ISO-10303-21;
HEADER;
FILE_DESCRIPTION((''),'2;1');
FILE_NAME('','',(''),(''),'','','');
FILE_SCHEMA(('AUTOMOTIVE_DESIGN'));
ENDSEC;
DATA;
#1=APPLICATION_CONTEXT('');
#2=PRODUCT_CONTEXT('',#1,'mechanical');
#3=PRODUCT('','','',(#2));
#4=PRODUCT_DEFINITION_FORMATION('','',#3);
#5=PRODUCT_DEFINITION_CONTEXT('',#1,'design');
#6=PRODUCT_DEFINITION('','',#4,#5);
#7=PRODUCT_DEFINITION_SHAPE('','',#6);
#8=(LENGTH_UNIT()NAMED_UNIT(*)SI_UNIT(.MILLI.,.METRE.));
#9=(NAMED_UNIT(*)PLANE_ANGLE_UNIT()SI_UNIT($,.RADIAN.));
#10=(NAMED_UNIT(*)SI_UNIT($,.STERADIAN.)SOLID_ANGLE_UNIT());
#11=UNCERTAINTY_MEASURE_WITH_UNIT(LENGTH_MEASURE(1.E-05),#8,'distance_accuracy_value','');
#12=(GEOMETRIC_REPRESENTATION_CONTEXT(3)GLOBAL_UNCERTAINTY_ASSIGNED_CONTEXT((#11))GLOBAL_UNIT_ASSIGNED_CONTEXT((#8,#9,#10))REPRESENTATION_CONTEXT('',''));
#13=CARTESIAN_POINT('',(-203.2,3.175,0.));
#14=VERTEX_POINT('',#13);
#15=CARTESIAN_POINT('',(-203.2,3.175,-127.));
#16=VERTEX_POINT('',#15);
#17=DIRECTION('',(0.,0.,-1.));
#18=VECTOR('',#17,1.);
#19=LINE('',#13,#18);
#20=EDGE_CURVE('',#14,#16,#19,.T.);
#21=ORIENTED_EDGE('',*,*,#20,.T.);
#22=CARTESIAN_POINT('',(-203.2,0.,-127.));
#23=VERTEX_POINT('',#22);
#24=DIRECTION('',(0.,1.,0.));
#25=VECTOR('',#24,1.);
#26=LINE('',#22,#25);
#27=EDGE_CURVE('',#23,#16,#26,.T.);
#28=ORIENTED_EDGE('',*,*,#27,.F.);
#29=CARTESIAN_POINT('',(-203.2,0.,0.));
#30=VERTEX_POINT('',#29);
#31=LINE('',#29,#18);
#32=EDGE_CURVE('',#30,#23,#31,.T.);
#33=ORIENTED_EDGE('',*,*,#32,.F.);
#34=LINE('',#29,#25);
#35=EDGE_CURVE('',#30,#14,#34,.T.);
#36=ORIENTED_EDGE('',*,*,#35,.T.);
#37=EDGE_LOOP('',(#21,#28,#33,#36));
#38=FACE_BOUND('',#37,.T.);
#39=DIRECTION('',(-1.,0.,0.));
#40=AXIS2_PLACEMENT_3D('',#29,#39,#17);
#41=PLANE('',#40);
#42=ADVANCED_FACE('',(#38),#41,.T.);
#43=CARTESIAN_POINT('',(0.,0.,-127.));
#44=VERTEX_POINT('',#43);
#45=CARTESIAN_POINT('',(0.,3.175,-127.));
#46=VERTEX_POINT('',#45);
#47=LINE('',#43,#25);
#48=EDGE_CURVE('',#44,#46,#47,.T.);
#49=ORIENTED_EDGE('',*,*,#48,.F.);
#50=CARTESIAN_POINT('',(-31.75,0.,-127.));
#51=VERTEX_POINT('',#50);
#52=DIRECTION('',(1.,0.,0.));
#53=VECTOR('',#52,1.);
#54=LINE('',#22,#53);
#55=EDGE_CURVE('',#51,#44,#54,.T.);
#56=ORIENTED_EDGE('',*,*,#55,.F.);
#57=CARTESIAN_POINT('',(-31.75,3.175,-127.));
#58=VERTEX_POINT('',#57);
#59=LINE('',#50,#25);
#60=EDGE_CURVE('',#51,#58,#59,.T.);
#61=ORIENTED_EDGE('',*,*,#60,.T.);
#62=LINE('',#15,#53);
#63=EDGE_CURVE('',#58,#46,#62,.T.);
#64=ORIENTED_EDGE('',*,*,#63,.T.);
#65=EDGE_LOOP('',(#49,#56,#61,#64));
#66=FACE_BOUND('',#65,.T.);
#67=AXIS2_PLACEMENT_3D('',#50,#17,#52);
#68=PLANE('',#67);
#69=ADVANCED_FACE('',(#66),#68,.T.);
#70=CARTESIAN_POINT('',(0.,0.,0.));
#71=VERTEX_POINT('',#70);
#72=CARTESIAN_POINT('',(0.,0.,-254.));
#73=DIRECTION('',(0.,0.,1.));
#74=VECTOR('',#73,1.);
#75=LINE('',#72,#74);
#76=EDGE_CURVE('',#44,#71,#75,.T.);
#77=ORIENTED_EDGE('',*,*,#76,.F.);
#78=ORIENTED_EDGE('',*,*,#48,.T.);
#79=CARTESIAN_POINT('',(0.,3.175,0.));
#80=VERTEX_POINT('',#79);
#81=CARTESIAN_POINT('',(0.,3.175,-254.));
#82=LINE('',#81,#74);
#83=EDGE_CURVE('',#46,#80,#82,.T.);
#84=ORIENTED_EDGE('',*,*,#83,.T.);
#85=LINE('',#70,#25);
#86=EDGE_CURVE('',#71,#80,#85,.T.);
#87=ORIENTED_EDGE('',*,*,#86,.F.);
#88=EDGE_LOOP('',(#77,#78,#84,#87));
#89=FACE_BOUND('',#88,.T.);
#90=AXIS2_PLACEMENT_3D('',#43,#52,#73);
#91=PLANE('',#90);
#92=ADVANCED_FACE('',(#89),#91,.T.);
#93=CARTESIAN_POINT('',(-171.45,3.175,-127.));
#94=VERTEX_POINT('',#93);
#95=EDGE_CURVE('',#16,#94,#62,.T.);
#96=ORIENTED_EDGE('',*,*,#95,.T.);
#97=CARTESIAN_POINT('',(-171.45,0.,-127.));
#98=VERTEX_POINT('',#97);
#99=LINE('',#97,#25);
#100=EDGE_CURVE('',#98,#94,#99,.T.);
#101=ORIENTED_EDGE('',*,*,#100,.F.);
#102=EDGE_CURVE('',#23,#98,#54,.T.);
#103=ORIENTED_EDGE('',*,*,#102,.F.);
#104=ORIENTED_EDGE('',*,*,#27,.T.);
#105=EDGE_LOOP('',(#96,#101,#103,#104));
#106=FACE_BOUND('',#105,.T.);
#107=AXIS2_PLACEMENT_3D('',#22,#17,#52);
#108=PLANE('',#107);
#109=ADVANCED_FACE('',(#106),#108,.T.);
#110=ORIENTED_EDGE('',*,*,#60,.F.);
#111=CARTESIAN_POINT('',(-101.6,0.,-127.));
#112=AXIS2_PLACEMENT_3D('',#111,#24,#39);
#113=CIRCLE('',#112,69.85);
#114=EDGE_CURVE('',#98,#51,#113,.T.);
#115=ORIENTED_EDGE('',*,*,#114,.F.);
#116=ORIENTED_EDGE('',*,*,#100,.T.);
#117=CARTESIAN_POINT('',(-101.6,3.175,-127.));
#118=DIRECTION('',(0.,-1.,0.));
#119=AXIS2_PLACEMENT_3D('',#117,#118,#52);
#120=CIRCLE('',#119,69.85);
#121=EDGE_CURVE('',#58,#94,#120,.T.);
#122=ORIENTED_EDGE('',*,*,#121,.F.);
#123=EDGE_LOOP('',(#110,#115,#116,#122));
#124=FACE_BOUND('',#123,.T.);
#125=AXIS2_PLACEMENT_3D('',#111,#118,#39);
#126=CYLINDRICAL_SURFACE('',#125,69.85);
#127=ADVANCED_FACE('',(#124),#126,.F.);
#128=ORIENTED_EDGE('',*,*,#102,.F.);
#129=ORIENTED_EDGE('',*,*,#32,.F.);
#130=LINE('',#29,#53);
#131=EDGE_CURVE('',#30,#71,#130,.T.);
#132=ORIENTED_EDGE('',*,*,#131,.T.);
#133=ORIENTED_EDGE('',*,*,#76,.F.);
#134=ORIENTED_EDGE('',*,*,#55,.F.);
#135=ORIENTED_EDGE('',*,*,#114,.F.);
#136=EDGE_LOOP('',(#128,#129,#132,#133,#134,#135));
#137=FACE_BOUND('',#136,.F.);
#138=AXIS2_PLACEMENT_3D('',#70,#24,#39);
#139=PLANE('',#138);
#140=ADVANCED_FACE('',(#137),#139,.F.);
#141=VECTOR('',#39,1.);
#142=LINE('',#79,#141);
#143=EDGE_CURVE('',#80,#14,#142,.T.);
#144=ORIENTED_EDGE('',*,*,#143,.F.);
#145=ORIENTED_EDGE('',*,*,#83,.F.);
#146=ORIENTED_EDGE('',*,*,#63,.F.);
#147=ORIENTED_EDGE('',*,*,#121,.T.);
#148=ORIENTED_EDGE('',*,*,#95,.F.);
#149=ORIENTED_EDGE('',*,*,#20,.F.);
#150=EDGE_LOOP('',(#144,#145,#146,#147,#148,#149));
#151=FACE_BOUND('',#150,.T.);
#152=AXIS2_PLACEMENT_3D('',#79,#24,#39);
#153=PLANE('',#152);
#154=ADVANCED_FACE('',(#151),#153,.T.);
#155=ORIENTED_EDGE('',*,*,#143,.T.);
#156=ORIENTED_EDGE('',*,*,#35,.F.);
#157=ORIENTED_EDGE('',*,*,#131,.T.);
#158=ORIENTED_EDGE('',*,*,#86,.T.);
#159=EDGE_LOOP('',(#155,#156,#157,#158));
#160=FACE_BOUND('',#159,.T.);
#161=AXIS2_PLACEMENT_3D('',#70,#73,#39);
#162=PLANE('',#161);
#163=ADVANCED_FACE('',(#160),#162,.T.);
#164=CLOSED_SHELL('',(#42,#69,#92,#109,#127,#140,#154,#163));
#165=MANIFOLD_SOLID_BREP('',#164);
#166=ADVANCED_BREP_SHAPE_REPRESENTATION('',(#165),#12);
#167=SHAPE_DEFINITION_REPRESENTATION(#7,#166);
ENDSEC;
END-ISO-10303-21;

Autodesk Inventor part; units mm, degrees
ref_plane "YZ Plane" through (0, 0, 0) normal (1, 0, 0) x (0, 1, 0)
ref_plane "XZ Plane" through (0, 0, 0) normal (0, 1, 0) x (-1, 0, 0)
ref_plane "XY Plane" through (0, 0, 0) normal (0, 0, 1) x (1, 0, 0)
sketch "Sketch1" plane through (0, 0, 0) normal (0, 1, 0) x (-1, 0, 0)
  line L0 (0, 0) -> (203.2, 0)
  line L1 (203.2, 0) -> (203.2, -254)
  line L2 (203.2, -254) -> (0, -254)
  line L3 (0, -254) -> (0, 0)
  line L4 (203.2, -127) -> (0, -127)
  line L5 (101.6, -254) -> (101.6, 0)
  circle A0 centre (101.6, -127) radius 69.85
  point P0 (171.45, -127)
  point P1 (31.75, -127)
  dimension "d0" = 203.2
  dimension "d1" = 254
  dimension "d2" = 139.7
extrude "Extrusion1" add sketch "Sketch1" along normal blind 3.175 contours L0 L5 A0 L4 L3 | L0 L1 L4 A0 L5
properties part number "2 Bottom Frame Base 2"
